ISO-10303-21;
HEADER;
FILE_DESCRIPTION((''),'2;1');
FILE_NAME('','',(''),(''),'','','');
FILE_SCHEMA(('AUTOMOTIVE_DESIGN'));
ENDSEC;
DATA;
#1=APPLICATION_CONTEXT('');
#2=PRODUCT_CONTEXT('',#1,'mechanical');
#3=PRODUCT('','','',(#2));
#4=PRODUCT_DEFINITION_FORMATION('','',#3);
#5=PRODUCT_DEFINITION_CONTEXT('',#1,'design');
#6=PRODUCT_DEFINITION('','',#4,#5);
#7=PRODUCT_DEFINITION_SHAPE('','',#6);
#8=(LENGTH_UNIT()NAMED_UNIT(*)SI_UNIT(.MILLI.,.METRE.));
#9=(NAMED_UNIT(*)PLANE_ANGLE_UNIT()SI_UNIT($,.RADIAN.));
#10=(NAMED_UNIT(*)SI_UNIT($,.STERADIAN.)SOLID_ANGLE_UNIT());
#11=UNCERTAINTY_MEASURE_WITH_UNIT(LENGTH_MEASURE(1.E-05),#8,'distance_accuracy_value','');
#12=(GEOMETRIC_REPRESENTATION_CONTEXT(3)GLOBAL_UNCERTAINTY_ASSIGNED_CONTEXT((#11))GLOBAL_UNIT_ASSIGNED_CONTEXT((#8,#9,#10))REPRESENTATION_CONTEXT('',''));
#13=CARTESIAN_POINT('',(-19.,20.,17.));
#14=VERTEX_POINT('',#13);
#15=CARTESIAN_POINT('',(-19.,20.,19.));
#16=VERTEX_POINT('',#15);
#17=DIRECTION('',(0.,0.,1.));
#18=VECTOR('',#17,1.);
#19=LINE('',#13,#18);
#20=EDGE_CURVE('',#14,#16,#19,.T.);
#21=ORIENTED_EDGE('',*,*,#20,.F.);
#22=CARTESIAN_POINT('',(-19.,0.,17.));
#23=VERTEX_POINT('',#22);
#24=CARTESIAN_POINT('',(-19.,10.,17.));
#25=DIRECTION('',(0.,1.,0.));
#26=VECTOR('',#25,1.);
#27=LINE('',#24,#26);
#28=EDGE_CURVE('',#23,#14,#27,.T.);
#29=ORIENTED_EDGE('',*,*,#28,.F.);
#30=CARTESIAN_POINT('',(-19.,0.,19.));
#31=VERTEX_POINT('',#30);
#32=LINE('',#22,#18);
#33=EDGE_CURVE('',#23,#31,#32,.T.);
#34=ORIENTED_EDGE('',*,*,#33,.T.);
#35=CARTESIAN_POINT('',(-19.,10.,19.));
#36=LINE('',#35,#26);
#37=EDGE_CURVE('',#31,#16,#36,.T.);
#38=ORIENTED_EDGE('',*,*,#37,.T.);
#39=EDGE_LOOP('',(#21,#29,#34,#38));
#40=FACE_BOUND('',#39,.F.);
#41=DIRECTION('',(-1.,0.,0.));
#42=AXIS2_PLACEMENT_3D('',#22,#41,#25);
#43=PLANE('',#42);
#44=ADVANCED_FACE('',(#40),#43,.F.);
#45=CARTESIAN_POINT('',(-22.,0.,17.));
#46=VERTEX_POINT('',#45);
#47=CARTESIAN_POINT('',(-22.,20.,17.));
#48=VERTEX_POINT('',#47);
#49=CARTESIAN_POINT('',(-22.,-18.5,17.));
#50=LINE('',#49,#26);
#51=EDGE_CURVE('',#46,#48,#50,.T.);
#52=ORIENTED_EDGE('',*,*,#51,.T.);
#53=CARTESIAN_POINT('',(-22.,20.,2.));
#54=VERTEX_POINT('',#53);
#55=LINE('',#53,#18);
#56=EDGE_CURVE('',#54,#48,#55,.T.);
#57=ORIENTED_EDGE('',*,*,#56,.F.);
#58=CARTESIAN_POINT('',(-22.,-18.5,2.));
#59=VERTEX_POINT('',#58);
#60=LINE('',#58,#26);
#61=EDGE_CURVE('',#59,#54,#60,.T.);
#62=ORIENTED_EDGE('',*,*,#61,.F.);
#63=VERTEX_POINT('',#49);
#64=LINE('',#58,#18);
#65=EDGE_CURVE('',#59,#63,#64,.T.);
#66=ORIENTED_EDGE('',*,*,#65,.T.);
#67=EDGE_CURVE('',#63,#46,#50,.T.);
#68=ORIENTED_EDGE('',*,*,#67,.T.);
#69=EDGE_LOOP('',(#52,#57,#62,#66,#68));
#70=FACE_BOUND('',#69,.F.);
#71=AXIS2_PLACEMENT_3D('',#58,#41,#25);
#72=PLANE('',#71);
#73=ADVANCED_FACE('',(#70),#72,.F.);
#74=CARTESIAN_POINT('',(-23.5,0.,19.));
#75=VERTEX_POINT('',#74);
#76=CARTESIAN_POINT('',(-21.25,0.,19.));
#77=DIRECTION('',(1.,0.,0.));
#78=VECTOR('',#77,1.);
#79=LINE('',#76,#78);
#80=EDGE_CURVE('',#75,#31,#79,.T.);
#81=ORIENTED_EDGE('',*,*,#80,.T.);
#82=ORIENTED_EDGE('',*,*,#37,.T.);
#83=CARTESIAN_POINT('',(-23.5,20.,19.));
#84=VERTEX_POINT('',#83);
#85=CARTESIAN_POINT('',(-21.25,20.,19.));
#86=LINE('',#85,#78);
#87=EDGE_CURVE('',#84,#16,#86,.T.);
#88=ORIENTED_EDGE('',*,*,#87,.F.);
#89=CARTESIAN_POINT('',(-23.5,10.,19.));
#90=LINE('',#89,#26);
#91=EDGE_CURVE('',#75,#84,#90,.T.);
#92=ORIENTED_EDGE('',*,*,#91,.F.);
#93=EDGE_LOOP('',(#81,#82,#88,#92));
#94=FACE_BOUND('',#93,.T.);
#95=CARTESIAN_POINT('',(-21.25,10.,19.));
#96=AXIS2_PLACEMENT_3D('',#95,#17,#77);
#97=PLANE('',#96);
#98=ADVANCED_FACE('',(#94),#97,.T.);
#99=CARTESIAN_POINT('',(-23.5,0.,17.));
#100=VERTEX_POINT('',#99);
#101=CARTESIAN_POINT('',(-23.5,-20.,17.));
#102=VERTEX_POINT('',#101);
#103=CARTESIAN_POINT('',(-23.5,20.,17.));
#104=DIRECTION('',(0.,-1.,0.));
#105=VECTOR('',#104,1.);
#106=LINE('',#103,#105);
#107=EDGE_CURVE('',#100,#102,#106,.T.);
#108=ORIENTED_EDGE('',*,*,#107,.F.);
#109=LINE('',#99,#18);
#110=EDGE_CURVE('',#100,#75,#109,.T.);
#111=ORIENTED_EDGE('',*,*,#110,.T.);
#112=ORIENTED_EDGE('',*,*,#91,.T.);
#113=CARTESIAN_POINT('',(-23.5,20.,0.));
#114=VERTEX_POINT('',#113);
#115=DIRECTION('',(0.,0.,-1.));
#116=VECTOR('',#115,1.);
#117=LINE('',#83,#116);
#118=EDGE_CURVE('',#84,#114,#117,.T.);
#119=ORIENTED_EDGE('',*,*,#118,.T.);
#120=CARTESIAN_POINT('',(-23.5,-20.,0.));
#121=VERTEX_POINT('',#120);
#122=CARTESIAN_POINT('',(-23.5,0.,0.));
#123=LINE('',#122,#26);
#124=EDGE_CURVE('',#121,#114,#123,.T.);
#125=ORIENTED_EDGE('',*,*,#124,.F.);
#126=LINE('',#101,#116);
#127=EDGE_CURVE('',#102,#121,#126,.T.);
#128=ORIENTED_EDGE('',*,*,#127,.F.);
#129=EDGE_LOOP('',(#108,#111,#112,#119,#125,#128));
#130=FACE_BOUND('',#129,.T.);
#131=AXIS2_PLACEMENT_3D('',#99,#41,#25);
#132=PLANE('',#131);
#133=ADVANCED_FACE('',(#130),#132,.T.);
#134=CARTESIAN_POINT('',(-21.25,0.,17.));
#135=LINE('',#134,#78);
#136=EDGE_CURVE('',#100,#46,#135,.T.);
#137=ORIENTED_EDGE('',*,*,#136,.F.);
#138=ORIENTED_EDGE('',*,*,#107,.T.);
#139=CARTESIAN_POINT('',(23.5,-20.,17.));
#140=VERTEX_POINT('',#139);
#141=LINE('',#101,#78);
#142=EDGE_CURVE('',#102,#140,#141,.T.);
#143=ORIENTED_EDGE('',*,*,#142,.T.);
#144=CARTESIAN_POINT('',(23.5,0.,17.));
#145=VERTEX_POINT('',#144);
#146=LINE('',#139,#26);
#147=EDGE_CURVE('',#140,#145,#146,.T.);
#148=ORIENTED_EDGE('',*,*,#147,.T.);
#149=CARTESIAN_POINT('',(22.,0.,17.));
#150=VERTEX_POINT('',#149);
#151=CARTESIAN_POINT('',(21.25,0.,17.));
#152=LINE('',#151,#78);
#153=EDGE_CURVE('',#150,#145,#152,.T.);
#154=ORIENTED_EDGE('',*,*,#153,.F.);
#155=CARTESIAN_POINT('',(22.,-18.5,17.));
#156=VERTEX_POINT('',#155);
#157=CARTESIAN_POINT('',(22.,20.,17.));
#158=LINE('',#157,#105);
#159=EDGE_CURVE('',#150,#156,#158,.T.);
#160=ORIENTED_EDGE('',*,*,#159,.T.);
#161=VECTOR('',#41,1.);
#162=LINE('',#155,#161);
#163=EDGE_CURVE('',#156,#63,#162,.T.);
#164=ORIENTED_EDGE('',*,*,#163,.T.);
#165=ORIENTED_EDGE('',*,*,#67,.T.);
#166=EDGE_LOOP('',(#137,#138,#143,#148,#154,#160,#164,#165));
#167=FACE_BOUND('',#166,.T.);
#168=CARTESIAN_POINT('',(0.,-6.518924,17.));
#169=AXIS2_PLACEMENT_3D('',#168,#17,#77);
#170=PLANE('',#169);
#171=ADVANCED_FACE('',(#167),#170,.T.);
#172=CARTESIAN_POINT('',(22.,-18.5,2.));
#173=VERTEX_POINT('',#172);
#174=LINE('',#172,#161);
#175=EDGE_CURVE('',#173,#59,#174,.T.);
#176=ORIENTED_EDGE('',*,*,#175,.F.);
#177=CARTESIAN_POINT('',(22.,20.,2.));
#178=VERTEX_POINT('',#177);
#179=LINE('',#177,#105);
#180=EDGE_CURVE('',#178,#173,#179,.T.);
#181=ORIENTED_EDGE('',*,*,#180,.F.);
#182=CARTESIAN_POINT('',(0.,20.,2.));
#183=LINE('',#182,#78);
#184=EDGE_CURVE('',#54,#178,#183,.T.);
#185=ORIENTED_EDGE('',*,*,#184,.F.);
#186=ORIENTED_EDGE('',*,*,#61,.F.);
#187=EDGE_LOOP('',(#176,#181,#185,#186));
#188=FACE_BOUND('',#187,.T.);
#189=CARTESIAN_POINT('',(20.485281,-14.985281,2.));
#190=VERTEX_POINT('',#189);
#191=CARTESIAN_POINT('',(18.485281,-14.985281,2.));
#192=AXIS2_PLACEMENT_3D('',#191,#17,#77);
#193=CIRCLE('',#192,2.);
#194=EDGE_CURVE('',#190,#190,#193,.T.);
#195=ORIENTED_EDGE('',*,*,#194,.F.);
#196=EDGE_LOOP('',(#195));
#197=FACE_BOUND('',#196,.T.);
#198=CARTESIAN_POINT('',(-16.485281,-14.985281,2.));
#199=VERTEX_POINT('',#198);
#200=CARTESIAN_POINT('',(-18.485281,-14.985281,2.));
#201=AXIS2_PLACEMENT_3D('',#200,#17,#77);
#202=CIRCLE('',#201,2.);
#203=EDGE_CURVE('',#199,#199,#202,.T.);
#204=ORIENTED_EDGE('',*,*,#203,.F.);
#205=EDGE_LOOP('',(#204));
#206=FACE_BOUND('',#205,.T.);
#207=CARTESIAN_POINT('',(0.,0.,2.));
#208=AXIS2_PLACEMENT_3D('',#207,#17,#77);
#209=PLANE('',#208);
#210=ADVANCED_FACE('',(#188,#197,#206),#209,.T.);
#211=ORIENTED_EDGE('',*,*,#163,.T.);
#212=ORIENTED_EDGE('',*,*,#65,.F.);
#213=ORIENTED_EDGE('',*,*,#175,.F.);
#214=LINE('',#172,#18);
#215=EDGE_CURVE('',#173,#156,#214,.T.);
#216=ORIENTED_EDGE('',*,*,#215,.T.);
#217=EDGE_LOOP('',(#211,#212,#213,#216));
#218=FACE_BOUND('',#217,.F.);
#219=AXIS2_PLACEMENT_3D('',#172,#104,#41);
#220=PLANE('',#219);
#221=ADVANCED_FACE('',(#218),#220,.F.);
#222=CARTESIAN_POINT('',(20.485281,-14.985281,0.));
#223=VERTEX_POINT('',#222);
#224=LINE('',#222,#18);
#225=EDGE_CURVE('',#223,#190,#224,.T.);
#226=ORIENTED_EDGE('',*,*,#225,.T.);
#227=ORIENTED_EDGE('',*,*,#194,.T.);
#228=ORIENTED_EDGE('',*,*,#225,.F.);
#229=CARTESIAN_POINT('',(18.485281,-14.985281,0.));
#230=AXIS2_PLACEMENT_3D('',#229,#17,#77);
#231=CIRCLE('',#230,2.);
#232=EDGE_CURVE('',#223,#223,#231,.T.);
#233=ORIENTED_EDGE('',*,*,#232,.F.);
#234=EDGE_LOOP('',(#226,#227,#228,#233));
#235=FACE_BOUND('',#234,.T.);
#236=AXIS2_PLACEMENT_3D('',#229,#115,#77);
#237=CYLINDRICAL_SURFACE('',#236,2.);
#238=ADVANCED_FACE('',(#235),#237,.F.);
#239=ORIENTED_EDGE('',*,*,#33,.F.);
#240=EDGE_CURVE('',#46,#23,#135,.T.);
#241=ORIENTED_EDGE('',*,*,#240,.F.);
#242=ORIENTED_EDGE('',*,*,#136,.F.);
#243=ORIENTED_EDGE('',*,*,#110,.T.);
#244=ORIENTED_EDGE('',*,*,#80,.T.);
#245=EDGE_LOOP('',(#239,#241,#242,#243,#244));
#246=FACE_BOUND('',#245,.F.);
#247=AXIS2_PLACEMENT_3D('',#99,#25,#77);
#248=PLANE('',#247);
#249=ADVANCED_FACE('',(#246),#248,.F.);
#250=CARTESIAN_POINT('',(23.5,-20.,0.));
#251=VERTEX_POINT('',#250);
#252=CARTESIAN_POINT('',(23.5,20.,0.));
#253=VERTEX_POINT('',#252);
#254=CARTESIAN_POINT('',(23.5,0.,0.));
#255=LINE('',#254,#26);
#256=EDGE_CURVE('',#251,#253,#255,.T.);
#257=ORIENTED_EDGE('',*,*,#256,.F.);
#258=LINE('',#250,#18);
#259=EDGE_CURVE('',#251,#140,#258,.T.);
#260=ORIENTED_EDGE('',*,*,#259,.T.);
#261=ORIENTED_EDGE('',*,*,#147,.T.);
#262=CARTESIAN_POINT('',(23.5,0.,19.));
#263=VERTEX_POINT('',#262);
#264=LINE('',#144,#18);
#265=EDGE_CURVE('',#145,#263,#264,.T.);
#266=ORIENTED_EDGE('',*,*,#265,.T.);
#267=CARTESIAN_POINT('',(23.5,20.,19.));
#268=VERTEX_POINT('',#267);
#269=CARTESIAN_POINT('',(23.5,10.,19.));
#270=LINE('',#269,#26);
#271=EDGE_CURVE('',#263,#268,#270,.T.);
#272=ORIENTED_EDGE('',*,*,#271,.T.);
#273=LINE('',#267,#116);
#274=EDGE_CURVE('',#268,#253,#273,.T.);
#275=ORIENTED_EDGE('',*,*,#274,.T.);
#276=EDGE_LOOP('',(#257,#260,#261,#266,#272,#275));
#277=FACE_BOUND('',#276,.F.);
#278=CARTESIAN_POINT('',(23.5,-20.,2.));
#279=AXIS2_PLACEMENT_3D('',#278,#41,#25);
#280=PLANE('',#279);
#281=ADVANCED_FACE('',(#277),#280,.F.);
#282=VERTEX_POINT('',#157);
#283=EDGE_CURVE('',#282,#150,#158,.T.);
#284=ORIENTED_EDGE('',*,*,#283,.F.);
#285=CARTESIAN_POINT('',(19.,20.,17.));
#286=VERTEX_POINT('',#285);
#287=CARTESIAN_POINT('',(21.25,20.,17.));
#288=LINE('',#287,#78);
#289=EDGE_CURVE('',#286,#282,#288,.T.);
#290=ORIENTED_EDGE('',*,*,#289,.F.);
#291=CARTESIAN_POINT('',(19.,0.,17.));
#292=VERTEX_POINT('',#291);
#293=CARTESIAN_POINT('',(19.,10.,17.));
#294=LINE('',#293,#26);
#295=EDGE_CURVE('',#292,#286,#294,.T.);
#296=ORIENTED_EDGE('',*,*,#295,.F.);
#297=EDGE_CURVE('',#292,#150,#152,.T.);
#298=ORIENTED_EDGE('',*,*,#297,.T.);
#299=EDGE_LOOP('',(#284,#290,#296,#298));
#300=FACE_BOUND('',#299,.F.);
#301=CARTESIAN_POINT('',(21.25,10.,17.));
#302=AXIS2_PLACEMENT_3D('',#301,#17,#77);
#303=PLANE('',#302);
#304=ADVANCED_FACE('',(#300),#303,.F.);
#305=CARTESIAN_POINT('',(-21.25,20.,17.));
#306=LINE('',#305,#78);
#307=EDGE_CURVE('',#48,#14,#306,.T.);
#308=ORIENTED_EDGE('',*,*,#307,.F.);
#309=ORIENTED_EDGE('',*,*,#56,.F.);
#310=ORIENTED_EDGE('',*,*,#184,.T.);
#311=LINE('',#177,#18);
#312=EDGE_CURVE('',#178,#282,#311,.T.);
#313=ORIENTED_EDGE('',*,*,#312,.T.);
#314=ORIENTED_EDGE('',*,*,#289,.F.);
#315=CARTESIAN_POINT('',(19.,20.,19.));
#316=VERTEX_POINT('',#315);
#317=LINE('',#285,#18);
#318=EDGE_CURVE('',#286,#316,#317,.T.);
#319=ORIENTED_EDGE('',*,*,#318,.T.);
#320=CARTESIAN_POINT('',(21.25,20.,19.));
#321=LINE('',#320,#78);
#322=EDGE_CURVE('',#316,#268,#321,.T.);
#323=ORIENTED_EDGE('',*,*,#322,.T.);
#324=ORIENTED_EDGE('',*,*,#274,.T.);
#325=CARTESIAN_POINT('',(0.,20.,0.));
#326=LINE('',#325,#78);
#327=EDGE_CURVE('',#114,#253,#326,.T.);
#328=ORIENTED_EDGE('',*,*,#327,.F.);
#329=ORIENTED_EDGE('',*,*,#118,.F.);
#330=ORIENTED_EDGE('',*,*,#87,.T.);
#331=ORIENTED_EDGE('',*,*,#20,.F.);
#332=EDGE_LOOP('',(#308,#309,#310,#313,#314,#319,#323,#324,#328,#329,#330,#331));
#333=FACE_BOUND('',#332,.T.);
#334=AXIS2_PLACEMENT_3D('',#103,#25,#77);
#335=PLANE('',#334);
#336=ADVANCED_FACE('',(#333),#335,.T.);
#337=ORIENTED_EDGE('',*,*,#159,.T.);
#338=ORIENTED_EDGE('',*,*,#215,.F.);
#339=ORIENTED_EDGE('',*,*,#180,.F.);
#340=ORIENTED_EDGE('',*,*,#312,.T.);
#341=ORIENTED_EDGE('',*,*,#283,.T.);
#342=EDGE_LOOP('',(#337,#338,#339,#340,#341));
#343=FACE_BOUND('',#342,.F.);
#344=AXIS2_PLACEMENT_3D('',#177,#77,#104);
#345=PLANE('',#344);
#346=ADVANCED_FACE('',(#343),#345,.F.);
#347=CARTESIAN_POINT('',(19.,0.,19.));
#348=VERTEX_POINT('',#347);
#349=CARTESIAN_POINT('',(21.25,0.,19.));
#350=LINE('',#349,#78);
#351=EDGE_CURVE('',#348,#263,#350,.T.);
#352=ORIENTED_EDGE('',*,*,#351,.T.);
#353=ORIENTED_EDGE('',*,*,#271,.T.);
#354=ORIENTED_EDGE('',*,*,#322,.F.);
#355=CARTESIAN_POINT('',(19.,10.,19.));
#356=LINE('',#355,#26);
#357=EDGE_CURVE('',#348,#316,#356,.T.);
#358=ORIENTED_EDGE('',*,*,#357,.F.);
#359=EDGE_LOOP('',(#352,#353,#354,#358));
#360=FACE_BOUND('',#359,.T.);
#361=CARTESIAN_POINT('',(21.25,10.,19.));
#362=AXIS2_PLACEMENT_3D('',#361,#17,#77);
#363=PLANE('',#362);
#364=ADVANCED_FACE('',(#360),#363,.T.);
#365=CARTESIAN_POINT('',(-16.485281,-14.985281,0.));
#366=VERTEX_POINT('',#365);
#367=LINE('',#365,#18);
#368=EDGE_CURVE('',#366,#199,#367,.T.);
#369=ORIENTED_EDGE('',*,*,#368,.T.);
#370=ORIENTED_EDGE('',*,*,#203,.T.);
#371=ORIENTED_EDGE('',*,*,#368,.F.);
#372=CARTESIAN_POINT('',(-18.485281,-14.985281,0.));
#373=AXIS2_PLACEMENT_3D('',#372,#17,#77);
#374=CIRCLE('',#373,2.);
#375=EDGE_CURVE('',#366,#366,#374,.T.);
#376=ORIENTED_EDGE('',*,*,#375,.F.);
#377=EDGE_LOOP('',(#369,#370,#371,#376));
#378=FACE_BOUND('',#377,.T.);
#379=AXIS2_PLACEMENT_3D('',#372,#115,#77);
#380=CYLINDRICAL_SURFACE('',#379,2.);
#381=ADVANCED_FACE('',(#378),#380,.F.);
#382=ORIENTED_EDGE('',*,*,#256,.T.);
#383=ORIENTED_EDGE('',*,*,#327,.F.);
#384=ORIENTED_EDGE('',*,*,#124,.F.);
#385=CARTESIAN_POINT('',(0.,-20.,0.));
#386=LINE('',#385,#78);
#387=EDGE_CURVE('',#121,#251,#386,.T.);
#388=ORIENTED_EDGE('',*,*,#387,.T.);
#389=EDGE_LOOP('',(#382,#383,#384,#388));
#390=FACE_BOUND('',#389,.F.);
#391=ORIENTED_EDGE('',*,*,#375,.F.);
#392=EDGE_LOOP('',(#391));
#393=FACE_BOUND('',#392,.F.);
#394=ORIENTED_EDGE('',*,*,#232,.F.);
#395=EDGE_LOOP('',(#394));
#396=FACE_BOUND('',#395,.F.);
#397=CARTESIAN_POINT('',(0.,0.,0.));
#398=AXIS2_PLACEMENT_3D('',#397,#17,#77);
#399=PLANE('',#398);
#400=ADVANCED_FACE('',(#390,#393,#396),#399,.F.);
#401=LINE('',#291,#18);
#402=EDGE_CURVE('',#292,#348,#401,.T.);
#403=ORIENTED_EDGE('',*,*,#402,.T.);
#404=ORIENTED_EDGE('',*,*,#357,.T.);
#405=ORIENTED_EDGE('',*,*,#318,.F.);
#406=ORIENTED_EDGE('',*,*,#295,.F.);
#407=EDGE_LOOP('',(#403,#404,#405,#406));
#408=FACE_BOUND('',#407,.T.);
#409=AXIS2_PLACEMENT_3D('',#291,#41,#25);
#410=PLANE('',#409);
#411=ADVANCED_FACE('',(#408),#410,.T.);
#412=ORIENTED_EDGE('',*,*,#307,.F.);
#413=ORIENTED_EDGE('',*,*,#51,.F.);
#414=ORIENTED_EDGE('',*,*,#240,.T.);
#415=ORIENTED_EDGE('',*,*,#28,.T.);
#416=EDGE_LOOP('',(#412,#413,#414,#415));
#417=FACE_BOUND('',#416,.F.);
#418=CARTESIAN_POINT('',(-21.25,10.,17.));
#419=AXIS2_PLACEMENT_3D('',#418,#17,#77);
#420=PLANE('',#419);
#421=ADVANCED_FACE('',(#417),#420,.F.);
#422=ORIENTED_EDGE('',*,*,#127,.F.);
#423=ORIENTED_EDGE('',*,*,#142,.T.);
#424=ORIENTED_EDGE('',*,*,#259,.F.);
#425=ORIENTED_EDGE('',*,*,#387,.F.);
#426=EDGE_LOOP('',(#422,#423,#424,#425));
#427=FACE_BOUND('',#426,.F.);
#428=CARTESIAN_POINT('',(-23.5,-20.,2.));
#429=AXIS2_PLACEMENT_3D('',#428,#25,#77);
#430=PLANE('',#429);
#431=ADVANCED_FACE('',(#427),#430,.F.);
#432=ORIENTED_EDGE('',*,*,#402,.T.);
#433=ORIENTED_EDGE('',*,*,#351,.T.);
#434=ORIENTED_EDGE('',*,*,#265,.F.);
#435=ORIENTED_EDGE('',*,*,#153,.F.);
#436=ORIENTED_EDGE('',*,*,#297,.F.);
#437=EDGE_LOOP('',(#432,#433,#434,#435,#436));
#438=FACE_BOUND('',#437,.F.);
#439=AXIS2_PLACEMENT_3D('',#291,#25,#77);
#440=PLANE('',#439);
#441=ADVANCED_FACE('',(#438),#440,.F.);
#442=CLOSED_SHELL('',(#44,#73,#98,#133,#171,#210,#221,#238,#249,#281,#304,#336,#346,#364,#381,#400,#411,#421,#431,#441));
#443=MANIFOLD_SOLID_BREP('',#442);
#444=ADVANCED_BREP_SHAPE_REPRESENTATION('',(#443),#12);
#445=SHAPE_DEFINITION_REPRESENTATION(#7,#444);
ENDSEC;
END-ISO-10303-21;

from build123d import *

# Parameters (mm, degrees)
SKETCH_W     = 47
SKETCH_H     = 40
SKETCH_R     = 2
PAD_DEPTH    = 2
PAD001_DEPTH = 15
SKETCH002_W  = 4.5
SKETCH002_H  = 20
PAD002_DEPTH = 2


with BuildPart() as part:
    # Sketch → Pad (new body)
    with BuildSketch(Plane.XY):
        Rectangle(SKETCH_W, SKETCH_H)
        with Locations((-18.485281, -14.985281)):
            Circle(SKETCH_R, mode=Mode.SUBTRACT)
        with Locations((18.485281, -14.985281)):
            Circle(SKETCH_R, mode=Mode.SUBTRACT)
    extrude(amount=PAD_DEPTH)

    # Sketch001 (on Face8 of Pad) → Pad001 (join)
    with BuildSketch(Plane.XY.offset(2)):
        Polygon((-23.5, -20), (23.5, -20), (23.5, 20), (22, 20), (22, -18.5), (-22, -18.5), (-22, 20), (-23.5, 20), align=None)
    extrude(amount=PAD001_DEPTH)

    # Sketch002 (on Face14 of Pad001) → Pad002 (join)
    with BuildSketch(Plane.XY.offset(17)):
        with Locations((-21.25, 10)):
            Rectangle(SKETCH002_W, SKETCH002_H)
        with Locations((21.25, 10)):
            Rectangle(SKETCH002_W, SKETCH002_H)
    extrude(amount=PAD002_DEPTH)


solid = part.part
